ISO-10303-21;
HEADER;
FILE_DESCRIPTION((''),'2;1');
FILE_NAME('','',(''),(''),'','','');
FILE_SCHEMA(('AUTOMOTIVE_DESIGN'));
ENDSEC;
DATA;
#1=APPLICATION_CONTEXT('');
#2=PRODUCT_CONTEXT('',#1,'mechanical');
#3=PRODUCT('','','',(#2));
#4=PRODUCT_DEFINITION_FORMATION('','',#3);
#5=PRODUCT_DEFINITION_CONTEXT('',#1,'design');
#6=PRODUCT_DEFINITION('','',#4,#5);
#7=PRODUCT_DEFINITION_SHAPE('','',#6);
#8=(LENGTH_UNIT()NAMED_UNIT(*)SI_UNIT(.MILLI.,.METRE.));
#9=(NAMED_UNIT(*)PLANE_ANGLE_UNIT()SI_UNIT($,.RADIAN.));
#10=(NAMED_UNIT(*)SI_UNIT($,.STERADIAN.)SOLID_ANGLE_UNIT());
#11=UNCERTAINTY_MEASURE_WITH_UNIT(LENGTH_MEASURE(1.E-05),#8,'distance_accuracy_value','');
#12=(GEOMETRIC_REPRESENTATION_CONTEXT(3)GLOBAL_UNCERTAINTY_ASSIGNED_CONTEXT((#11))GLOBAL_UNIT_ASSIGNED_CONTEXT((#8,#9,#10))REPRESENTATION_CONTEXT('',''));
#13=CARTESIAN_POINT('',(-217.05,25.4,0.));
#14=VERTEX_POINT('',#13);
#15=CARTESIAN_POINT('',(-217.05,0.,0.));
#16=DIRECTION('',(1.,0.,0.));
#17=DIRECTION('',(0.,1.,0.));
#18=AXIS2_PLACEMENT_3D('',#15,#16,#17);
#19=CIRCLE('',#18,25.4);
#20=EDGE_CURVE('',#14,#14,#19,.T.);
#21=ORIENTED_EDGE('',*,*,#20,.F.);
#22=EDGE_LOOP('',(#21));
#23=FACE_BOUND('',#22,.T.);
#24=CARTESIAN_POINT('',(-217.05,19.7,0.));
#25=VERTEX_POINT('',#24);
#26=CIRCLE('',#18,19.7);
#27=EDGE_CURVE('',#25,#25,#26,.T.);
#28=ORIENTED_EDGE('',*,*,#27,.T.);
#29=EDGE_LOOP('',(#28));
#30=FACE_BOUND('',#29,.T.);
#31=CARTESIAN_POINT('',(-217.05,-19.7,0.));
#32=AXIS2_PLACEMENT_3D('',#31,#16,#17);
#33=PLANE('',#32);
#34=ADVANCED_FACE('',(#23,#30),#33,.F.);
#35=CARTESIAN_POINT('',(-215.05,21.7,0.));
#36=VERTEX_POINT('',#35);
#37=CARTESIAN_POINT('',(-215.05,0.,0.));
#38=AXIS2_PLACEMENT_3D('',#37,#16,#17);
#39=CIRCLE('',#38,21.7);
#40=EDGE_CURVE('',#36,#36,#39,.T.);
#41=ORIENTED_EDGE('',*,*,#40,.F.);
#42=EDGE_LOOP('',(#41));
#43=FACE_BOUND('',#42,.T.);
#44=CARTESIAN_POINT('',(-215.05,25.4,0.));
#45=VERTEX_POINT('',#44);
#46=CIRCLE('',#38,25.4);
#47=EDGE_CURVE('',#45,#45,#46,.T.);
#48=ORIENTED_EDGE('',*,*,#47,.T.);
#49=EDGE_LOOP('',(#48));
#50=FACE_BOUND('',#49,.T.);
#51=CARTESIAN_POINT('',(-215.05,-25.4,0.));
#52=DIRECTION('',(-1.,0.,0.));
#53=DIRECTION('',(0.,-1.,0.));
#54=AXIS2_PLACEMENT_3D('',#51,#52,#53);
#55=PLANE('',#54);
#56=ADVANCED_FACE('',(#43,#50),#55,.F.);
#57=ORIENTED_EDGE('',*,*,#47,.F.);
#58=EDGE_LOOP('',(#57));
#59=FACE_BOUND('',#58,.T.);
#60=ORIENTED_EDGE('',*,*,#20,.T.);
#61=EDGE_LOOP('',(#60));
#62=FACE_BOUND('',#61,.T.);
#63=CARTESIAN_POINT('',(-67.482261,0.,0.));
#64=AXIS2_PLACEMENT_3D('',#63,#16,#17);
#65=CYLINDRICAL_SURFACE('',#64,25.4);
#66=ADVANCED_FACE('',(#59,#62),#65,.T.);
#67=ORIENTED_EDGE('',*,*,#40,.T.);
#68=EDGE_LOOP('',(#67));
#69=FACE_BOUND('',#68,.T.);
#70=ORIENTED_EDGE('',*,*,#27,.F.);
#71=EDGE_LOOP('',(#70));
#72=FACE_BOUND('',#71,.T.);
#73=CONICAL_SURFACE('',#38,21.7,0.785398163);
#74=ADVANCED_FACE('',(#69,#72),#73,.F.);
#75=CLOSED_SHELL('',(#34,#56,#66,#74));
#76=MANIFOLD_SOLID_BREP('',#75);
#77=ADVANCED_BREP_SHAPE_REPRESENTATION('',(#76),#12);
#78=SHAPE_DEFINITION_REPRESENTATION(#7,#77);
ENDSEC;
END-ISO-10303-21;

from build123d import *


with BuildPart() as part:
    # Skica1 → Rotovat1 (revolve)
    with BuildSketch(Plane.XY):
        Polygon((-217.05, -19.7), (-217.05, -25.4), (-215.05, -25.4), (-215.05, -21.7), align=None)
    revolve(axis=Axis((-67.482261058, 0, 0), (-1, 0, 0)))


solid = part.part
